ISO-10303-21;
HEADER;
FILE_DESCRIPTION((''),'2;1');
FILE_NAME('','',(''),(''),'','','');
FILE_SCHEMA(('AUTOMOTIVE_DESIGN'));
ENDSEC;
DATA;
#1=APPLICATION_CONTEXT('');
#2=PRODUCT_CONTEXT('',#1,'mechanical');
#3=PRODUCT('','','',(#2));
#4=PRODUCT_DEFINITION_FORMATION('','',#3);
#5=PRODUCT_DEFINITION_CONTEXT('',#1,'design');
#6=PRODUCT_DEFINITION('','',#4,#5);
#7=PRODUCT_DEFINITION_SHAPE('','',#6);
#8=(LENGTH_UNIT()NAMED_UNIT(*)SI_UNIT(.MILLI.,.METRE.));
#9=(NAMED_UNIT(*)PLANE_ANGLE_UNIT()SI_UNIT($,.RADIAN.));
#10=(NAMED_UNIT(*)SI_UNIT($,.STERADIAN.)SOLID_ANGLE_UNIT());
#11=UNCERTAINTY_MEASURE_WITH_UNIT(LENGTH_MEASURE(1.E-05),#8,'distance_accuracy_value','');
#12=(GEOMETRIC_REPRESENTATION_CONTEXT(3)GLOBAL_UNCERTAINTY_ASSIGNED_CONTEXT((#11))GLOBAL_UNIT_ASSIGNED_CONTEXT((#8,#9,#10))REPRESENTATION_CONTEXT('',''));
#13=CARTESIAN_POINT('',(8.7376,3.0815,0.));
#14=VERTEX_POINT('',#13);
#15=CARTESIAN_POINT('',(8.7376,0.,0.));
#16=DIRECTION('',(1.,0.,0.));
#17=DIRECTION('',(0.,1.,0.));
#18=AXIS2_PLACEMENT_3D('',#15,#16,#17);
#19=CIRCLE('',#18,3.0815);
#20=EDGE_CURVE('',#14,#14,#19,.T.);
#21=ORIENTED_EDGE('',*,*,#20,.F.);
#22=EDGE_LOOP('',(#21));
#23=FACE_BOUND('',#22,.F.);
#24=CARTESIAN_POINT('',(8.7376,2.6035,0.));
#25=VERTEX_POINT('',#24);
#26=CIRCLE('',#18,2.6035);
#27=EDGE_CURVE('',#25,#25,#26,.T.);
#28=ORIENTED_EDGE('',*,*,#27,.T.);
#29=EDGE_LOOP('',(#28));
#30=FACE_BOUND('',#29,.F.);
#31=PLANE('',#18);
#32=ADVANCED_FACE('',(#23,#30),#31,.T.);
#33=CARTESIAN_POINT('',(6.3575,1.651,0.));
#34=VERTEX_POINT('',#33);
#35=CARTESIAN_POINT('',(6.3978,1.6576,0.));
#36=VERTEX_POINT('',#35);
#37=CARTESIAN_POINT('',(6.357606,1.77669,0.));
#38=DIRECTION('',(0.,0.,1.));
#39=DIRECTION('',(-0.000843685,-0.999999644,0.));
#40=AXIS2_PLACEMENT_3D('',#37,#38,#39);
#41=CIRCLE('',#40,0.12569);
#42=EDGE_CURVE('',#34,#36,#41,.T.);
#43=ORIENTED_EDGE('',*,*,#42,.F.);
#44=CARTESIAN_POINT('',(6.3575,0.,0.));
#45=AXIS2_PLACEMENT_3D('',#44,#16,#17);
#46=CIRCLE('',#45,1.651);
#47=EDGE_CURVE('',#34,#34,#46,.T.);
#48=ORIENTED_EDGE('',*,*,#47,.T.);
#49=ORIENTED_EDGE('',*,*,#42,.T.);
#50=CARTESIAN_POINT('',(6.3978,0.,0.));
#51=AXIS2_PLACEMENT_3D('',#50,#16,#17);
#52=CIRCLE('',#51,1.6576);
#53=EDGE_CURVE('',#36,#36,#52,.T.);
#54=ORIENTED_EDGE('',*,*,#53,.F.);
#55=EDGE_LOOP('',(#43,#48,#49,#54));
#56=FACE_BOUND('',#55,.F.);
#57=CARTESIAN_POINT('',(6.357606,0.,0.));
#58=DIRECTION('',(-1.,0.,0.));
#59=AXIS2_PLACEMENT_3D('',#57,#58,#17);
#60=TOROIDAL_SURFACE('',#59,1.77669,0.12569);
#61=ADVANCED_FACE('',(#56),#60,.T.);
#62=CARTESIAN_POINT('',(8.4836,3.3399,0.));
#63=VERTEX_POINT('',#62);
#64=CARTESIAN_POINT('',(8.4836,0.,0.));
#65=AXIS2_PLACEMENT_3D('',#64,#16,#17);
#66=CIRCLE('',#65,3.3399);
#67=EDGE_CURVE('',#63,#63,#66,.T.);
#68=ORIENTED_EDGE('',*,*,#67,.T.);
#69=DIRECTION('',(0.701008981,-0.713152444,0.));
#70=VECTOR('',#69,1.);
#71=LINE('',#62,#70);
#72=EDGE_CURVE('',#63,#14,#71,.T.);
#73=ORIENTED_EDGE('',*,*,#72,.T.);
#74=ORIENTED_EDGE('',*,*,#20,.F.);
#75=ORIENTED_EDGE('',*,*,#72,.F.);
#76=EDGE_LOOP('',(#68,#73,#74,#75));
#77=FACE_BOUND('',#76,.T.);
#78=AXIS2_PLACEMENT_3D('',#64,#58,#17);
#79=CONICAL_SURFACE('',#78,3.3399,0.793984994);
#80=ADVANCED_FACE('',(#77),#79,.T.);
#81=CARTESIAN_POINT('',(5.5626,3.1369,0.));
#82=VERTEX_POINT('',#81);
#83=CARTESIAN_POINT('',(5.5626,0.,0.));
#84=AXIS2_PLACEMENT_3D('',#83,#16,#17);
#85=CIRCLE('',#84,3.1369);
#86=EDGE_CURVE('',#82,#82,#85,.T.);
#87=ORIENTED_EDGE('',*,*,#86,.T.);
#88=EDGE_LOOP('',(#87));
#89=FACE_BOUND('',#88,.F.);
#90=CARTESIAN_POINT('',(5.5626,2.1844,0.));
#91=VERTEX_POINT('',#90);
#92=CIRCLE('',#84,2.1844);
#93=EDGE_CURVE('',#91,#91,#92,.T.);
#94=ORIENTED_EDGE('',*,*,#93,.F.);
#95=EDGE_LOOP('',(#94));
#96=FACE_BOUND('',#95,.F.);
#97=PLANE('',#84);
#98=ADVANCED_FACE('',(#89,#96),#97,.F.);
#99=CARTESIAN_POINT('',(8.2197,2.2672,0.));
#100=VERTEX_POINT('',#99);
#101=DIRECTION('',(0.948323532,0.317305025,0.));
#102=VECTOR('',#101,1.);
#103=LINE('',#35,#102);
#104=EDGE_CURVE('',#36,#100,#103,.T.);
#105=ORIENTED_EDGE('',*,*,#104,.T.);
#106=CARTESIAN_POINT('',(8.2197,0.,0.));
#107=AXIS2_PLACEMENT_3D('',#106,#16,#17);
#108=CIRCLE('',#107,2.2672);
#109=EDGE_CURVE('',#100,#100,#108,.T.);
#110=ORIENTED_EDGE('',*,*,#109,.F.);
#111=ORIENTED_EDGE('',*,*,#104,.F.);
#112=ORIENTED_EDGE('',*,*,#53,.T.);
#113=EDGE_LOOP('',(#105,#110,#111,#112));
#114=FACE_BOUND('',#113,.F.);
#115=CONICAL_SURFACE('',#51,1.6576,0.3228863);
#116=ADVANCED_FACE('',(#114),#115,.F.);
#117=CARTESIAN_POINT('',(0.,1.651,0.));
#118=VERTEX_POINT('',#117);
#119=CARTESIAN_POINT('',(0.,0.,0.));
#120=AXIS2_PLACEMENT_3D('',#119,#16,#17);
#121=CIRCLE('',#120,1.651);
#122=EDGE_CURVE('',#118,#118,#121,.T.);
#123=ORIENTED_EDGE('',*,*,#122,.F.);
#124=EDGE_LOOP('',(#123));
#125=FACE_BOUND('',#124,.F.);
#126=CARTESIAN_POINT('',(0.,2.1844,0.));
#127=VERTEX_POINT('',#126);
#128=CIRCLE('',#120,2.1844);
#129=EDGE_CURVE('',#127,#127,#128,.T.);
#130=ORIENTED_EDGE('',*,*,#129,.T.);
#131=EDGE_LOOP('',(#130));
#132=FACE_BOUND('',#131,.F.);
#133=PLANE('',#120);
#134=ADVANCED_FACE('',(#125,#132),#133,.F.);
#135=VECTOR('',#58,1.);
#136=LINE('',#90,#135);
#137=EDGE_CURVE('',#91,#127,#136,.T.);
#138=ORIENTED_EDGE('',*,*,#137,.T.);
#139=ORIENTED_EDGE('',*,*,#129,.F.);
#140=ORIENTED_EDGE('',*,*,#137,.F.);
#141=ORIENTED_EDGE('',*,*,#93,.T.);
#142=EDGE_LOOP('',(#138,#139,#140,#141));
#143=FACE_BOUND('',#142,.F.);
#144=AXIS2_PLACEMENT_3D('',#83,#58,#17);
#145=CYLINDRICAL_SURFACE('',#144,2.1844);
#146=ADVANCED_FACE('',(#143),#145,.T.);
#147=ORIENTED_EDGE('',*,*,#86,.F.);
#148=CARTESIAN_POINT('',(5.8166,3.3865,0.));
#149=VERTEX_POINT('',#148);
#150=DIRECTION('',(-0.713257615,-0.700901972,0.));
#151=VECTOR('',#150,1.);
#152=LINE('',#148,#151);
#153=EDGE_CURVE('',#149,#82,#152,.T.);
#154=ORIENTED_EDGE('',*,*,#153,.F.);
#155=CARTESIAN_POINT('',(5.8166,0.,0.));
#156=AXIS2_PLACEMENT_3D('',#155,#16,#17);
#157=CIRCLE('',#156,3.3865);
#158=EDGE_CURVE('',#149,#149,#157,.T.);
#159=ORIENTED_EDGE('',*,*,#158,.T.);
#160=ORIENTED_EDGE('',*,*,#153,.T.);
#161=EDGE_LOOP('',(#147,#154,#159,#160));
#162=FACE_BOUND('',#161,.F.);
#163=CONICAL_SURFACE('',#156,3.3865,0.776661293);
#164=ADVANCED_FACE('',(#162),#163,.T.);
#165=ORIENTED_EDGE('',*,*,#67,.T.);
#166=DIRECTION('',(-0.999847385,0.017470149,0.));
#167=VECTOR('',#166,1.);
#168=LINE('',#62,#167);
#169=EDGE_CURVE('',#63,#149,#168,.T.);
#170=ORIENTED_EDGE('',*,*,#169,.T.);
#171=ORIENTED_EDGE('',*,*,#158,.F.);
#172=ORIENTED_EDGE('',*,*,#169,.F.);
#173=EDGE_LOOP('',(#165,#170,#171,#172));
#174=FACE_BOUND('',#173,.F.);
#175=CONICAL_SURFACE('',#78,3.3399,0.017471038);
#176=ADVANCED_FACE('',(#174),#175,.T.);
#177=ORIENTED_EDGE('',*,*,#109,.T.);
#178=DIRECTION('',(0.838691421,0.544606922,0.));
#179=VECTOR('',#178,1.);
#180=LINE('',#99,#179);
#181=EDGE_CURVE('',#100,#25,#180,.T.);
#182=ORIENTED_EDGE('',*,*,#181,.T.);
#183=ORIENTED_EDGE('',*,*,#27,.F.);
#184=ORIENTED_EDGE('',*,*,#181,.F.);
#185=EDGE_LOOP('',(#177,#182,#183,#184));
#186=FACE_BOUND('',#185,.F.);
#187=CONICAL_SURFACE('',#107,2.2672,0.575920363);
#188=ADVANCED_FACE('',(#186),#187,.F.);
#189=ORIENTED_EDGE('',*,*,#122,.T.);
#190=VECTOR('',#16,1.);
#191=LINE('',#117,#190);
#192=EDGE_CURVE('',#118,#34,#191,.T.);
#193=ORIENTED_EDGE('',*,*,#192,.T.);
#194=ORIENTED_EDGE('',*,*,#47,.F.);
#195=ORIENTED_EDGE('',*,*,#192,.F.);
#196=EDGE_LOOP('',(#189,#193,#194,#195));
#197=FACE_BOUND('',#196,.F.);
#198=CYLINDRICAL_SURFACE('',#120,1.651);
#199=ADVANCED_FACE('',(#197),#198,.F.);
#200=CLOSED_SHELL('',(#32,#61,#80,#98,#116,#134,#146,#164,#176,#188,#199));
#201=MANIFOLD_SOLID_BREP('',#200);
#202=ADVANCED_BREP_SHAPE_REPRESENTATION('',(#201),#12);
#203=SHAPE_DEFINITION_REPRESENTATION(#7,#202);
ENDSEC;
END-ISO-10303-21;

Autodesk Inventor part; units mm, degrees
ref_plane "YZ Plane" through (0, 0, 0) normal (1, 0, 0) x (0, 1, 0)
ref_plane "XZ Plane" through (0, 0, 0) normal (0, 1, 0) x (-1, 0, 0)
ref_plane "XY Plane" through (0, 0, 0) normal (0, 0, 1) x (1, 0, 0)
sketch "Sketch1" plane through (0, 0, 0) normal (0, 0, 1) x (1, 0, 0)
  line L0 (0, 1.651) -> (6.3575, 1.651)
  line L1 (6.3978, 1.6576) -> (8.2197, 2.2672)
  line L2 (8.2197, 2.2672) -> (8.7376, 2.6035)
  line L3 (8.7376, 2.6035) -> (8.7376, 3.0815)
  line L4 (8.4836, 3.3399) -> (5.8166, 3.3865)
  line L5 (5.5626, 3.1369) -> (5.5626, 2.1844)
  line L6 (5.5626, 2.1844) -> (0, 2.1844)
  line L7 (0, 2.1844) -> (0, 1.651)
  line L8 (5.8166, 3.3865) -> (5.5626, 3.1369)
  line L9 (8.4836, 3.3399) -> (8.7376, 3.0815)
  arc A0 (6.3575, 1.651) -> (6.3978, 1.6576) centre (6.3575, 1.778) ccw
  line L10 (-6.035, 0) -> (36.2102, 0) projected
  point P0 (0, 0)
  point P1 (8.7376, 3.3355)
  point P2 (5.5626, 3.3909)
  dimension "d0" = 18.5
  dimension "d1" = 33
  dimension "d2" = 89
  dimension "d3" = 3.3909
  dimension "d4" = 2.1844
  dimension "d5" = 1.651
  dimension "d6" = 8.7376
  dimension "d7" = 2.6035
  dimension "d8" = 2.2672
  dimension "d9" = 3.175
  dimension "d10" = 0.254
  dimension "d11" = 0.254
  dimension "d12" = 0.254
  dimension "d13" = 0.254
  dimension "d14" = 0.127
  dimension "d16" = 0.0066
revolve "Revolution1" add sketch "Sketch1" angle 360 about axis through (-10, 0, 0) along (1, 0, 0)
equation "\"d3\" = 0.5 * MS20819_G"
equation "\"d4\" = 0.5 * MS20819_C"
equation "\"d5\" = 0.5 * MS20819_B"
equation "\"d6\" = MS20819_M"
equation "\"d7\" = 0.5 * MS20819_F"
equation "\"d8\" = 0.5 * MS20819_N + d16"
equation "\"d9\" = MS20819_J"
equation "\"d11\" = d10"
equation "\"d12\" = d10"
equation "\"d13\" = d12"
equation "\"d14\" = MS20819_R"
equation "\"MS20819_B\" = 3.302"
equation "\"MS20819_C\" = 4.3688"
equation "\"MS20819_F\" = 5.207"
equation "\"MS20819_G\" = 6.7818"
equation "\"MS20819_J\" = 3.175"
equation "\"MS20819_M\" = 8.7376"
equation "\"MS20819_N\" = 4.5212"
equation "\"MS20819_R\" = 0.127"
equation "\"Tube_OD\" = 3.175"
properties part number "MS20819-2D" material "Aluminum 2014-T6"
